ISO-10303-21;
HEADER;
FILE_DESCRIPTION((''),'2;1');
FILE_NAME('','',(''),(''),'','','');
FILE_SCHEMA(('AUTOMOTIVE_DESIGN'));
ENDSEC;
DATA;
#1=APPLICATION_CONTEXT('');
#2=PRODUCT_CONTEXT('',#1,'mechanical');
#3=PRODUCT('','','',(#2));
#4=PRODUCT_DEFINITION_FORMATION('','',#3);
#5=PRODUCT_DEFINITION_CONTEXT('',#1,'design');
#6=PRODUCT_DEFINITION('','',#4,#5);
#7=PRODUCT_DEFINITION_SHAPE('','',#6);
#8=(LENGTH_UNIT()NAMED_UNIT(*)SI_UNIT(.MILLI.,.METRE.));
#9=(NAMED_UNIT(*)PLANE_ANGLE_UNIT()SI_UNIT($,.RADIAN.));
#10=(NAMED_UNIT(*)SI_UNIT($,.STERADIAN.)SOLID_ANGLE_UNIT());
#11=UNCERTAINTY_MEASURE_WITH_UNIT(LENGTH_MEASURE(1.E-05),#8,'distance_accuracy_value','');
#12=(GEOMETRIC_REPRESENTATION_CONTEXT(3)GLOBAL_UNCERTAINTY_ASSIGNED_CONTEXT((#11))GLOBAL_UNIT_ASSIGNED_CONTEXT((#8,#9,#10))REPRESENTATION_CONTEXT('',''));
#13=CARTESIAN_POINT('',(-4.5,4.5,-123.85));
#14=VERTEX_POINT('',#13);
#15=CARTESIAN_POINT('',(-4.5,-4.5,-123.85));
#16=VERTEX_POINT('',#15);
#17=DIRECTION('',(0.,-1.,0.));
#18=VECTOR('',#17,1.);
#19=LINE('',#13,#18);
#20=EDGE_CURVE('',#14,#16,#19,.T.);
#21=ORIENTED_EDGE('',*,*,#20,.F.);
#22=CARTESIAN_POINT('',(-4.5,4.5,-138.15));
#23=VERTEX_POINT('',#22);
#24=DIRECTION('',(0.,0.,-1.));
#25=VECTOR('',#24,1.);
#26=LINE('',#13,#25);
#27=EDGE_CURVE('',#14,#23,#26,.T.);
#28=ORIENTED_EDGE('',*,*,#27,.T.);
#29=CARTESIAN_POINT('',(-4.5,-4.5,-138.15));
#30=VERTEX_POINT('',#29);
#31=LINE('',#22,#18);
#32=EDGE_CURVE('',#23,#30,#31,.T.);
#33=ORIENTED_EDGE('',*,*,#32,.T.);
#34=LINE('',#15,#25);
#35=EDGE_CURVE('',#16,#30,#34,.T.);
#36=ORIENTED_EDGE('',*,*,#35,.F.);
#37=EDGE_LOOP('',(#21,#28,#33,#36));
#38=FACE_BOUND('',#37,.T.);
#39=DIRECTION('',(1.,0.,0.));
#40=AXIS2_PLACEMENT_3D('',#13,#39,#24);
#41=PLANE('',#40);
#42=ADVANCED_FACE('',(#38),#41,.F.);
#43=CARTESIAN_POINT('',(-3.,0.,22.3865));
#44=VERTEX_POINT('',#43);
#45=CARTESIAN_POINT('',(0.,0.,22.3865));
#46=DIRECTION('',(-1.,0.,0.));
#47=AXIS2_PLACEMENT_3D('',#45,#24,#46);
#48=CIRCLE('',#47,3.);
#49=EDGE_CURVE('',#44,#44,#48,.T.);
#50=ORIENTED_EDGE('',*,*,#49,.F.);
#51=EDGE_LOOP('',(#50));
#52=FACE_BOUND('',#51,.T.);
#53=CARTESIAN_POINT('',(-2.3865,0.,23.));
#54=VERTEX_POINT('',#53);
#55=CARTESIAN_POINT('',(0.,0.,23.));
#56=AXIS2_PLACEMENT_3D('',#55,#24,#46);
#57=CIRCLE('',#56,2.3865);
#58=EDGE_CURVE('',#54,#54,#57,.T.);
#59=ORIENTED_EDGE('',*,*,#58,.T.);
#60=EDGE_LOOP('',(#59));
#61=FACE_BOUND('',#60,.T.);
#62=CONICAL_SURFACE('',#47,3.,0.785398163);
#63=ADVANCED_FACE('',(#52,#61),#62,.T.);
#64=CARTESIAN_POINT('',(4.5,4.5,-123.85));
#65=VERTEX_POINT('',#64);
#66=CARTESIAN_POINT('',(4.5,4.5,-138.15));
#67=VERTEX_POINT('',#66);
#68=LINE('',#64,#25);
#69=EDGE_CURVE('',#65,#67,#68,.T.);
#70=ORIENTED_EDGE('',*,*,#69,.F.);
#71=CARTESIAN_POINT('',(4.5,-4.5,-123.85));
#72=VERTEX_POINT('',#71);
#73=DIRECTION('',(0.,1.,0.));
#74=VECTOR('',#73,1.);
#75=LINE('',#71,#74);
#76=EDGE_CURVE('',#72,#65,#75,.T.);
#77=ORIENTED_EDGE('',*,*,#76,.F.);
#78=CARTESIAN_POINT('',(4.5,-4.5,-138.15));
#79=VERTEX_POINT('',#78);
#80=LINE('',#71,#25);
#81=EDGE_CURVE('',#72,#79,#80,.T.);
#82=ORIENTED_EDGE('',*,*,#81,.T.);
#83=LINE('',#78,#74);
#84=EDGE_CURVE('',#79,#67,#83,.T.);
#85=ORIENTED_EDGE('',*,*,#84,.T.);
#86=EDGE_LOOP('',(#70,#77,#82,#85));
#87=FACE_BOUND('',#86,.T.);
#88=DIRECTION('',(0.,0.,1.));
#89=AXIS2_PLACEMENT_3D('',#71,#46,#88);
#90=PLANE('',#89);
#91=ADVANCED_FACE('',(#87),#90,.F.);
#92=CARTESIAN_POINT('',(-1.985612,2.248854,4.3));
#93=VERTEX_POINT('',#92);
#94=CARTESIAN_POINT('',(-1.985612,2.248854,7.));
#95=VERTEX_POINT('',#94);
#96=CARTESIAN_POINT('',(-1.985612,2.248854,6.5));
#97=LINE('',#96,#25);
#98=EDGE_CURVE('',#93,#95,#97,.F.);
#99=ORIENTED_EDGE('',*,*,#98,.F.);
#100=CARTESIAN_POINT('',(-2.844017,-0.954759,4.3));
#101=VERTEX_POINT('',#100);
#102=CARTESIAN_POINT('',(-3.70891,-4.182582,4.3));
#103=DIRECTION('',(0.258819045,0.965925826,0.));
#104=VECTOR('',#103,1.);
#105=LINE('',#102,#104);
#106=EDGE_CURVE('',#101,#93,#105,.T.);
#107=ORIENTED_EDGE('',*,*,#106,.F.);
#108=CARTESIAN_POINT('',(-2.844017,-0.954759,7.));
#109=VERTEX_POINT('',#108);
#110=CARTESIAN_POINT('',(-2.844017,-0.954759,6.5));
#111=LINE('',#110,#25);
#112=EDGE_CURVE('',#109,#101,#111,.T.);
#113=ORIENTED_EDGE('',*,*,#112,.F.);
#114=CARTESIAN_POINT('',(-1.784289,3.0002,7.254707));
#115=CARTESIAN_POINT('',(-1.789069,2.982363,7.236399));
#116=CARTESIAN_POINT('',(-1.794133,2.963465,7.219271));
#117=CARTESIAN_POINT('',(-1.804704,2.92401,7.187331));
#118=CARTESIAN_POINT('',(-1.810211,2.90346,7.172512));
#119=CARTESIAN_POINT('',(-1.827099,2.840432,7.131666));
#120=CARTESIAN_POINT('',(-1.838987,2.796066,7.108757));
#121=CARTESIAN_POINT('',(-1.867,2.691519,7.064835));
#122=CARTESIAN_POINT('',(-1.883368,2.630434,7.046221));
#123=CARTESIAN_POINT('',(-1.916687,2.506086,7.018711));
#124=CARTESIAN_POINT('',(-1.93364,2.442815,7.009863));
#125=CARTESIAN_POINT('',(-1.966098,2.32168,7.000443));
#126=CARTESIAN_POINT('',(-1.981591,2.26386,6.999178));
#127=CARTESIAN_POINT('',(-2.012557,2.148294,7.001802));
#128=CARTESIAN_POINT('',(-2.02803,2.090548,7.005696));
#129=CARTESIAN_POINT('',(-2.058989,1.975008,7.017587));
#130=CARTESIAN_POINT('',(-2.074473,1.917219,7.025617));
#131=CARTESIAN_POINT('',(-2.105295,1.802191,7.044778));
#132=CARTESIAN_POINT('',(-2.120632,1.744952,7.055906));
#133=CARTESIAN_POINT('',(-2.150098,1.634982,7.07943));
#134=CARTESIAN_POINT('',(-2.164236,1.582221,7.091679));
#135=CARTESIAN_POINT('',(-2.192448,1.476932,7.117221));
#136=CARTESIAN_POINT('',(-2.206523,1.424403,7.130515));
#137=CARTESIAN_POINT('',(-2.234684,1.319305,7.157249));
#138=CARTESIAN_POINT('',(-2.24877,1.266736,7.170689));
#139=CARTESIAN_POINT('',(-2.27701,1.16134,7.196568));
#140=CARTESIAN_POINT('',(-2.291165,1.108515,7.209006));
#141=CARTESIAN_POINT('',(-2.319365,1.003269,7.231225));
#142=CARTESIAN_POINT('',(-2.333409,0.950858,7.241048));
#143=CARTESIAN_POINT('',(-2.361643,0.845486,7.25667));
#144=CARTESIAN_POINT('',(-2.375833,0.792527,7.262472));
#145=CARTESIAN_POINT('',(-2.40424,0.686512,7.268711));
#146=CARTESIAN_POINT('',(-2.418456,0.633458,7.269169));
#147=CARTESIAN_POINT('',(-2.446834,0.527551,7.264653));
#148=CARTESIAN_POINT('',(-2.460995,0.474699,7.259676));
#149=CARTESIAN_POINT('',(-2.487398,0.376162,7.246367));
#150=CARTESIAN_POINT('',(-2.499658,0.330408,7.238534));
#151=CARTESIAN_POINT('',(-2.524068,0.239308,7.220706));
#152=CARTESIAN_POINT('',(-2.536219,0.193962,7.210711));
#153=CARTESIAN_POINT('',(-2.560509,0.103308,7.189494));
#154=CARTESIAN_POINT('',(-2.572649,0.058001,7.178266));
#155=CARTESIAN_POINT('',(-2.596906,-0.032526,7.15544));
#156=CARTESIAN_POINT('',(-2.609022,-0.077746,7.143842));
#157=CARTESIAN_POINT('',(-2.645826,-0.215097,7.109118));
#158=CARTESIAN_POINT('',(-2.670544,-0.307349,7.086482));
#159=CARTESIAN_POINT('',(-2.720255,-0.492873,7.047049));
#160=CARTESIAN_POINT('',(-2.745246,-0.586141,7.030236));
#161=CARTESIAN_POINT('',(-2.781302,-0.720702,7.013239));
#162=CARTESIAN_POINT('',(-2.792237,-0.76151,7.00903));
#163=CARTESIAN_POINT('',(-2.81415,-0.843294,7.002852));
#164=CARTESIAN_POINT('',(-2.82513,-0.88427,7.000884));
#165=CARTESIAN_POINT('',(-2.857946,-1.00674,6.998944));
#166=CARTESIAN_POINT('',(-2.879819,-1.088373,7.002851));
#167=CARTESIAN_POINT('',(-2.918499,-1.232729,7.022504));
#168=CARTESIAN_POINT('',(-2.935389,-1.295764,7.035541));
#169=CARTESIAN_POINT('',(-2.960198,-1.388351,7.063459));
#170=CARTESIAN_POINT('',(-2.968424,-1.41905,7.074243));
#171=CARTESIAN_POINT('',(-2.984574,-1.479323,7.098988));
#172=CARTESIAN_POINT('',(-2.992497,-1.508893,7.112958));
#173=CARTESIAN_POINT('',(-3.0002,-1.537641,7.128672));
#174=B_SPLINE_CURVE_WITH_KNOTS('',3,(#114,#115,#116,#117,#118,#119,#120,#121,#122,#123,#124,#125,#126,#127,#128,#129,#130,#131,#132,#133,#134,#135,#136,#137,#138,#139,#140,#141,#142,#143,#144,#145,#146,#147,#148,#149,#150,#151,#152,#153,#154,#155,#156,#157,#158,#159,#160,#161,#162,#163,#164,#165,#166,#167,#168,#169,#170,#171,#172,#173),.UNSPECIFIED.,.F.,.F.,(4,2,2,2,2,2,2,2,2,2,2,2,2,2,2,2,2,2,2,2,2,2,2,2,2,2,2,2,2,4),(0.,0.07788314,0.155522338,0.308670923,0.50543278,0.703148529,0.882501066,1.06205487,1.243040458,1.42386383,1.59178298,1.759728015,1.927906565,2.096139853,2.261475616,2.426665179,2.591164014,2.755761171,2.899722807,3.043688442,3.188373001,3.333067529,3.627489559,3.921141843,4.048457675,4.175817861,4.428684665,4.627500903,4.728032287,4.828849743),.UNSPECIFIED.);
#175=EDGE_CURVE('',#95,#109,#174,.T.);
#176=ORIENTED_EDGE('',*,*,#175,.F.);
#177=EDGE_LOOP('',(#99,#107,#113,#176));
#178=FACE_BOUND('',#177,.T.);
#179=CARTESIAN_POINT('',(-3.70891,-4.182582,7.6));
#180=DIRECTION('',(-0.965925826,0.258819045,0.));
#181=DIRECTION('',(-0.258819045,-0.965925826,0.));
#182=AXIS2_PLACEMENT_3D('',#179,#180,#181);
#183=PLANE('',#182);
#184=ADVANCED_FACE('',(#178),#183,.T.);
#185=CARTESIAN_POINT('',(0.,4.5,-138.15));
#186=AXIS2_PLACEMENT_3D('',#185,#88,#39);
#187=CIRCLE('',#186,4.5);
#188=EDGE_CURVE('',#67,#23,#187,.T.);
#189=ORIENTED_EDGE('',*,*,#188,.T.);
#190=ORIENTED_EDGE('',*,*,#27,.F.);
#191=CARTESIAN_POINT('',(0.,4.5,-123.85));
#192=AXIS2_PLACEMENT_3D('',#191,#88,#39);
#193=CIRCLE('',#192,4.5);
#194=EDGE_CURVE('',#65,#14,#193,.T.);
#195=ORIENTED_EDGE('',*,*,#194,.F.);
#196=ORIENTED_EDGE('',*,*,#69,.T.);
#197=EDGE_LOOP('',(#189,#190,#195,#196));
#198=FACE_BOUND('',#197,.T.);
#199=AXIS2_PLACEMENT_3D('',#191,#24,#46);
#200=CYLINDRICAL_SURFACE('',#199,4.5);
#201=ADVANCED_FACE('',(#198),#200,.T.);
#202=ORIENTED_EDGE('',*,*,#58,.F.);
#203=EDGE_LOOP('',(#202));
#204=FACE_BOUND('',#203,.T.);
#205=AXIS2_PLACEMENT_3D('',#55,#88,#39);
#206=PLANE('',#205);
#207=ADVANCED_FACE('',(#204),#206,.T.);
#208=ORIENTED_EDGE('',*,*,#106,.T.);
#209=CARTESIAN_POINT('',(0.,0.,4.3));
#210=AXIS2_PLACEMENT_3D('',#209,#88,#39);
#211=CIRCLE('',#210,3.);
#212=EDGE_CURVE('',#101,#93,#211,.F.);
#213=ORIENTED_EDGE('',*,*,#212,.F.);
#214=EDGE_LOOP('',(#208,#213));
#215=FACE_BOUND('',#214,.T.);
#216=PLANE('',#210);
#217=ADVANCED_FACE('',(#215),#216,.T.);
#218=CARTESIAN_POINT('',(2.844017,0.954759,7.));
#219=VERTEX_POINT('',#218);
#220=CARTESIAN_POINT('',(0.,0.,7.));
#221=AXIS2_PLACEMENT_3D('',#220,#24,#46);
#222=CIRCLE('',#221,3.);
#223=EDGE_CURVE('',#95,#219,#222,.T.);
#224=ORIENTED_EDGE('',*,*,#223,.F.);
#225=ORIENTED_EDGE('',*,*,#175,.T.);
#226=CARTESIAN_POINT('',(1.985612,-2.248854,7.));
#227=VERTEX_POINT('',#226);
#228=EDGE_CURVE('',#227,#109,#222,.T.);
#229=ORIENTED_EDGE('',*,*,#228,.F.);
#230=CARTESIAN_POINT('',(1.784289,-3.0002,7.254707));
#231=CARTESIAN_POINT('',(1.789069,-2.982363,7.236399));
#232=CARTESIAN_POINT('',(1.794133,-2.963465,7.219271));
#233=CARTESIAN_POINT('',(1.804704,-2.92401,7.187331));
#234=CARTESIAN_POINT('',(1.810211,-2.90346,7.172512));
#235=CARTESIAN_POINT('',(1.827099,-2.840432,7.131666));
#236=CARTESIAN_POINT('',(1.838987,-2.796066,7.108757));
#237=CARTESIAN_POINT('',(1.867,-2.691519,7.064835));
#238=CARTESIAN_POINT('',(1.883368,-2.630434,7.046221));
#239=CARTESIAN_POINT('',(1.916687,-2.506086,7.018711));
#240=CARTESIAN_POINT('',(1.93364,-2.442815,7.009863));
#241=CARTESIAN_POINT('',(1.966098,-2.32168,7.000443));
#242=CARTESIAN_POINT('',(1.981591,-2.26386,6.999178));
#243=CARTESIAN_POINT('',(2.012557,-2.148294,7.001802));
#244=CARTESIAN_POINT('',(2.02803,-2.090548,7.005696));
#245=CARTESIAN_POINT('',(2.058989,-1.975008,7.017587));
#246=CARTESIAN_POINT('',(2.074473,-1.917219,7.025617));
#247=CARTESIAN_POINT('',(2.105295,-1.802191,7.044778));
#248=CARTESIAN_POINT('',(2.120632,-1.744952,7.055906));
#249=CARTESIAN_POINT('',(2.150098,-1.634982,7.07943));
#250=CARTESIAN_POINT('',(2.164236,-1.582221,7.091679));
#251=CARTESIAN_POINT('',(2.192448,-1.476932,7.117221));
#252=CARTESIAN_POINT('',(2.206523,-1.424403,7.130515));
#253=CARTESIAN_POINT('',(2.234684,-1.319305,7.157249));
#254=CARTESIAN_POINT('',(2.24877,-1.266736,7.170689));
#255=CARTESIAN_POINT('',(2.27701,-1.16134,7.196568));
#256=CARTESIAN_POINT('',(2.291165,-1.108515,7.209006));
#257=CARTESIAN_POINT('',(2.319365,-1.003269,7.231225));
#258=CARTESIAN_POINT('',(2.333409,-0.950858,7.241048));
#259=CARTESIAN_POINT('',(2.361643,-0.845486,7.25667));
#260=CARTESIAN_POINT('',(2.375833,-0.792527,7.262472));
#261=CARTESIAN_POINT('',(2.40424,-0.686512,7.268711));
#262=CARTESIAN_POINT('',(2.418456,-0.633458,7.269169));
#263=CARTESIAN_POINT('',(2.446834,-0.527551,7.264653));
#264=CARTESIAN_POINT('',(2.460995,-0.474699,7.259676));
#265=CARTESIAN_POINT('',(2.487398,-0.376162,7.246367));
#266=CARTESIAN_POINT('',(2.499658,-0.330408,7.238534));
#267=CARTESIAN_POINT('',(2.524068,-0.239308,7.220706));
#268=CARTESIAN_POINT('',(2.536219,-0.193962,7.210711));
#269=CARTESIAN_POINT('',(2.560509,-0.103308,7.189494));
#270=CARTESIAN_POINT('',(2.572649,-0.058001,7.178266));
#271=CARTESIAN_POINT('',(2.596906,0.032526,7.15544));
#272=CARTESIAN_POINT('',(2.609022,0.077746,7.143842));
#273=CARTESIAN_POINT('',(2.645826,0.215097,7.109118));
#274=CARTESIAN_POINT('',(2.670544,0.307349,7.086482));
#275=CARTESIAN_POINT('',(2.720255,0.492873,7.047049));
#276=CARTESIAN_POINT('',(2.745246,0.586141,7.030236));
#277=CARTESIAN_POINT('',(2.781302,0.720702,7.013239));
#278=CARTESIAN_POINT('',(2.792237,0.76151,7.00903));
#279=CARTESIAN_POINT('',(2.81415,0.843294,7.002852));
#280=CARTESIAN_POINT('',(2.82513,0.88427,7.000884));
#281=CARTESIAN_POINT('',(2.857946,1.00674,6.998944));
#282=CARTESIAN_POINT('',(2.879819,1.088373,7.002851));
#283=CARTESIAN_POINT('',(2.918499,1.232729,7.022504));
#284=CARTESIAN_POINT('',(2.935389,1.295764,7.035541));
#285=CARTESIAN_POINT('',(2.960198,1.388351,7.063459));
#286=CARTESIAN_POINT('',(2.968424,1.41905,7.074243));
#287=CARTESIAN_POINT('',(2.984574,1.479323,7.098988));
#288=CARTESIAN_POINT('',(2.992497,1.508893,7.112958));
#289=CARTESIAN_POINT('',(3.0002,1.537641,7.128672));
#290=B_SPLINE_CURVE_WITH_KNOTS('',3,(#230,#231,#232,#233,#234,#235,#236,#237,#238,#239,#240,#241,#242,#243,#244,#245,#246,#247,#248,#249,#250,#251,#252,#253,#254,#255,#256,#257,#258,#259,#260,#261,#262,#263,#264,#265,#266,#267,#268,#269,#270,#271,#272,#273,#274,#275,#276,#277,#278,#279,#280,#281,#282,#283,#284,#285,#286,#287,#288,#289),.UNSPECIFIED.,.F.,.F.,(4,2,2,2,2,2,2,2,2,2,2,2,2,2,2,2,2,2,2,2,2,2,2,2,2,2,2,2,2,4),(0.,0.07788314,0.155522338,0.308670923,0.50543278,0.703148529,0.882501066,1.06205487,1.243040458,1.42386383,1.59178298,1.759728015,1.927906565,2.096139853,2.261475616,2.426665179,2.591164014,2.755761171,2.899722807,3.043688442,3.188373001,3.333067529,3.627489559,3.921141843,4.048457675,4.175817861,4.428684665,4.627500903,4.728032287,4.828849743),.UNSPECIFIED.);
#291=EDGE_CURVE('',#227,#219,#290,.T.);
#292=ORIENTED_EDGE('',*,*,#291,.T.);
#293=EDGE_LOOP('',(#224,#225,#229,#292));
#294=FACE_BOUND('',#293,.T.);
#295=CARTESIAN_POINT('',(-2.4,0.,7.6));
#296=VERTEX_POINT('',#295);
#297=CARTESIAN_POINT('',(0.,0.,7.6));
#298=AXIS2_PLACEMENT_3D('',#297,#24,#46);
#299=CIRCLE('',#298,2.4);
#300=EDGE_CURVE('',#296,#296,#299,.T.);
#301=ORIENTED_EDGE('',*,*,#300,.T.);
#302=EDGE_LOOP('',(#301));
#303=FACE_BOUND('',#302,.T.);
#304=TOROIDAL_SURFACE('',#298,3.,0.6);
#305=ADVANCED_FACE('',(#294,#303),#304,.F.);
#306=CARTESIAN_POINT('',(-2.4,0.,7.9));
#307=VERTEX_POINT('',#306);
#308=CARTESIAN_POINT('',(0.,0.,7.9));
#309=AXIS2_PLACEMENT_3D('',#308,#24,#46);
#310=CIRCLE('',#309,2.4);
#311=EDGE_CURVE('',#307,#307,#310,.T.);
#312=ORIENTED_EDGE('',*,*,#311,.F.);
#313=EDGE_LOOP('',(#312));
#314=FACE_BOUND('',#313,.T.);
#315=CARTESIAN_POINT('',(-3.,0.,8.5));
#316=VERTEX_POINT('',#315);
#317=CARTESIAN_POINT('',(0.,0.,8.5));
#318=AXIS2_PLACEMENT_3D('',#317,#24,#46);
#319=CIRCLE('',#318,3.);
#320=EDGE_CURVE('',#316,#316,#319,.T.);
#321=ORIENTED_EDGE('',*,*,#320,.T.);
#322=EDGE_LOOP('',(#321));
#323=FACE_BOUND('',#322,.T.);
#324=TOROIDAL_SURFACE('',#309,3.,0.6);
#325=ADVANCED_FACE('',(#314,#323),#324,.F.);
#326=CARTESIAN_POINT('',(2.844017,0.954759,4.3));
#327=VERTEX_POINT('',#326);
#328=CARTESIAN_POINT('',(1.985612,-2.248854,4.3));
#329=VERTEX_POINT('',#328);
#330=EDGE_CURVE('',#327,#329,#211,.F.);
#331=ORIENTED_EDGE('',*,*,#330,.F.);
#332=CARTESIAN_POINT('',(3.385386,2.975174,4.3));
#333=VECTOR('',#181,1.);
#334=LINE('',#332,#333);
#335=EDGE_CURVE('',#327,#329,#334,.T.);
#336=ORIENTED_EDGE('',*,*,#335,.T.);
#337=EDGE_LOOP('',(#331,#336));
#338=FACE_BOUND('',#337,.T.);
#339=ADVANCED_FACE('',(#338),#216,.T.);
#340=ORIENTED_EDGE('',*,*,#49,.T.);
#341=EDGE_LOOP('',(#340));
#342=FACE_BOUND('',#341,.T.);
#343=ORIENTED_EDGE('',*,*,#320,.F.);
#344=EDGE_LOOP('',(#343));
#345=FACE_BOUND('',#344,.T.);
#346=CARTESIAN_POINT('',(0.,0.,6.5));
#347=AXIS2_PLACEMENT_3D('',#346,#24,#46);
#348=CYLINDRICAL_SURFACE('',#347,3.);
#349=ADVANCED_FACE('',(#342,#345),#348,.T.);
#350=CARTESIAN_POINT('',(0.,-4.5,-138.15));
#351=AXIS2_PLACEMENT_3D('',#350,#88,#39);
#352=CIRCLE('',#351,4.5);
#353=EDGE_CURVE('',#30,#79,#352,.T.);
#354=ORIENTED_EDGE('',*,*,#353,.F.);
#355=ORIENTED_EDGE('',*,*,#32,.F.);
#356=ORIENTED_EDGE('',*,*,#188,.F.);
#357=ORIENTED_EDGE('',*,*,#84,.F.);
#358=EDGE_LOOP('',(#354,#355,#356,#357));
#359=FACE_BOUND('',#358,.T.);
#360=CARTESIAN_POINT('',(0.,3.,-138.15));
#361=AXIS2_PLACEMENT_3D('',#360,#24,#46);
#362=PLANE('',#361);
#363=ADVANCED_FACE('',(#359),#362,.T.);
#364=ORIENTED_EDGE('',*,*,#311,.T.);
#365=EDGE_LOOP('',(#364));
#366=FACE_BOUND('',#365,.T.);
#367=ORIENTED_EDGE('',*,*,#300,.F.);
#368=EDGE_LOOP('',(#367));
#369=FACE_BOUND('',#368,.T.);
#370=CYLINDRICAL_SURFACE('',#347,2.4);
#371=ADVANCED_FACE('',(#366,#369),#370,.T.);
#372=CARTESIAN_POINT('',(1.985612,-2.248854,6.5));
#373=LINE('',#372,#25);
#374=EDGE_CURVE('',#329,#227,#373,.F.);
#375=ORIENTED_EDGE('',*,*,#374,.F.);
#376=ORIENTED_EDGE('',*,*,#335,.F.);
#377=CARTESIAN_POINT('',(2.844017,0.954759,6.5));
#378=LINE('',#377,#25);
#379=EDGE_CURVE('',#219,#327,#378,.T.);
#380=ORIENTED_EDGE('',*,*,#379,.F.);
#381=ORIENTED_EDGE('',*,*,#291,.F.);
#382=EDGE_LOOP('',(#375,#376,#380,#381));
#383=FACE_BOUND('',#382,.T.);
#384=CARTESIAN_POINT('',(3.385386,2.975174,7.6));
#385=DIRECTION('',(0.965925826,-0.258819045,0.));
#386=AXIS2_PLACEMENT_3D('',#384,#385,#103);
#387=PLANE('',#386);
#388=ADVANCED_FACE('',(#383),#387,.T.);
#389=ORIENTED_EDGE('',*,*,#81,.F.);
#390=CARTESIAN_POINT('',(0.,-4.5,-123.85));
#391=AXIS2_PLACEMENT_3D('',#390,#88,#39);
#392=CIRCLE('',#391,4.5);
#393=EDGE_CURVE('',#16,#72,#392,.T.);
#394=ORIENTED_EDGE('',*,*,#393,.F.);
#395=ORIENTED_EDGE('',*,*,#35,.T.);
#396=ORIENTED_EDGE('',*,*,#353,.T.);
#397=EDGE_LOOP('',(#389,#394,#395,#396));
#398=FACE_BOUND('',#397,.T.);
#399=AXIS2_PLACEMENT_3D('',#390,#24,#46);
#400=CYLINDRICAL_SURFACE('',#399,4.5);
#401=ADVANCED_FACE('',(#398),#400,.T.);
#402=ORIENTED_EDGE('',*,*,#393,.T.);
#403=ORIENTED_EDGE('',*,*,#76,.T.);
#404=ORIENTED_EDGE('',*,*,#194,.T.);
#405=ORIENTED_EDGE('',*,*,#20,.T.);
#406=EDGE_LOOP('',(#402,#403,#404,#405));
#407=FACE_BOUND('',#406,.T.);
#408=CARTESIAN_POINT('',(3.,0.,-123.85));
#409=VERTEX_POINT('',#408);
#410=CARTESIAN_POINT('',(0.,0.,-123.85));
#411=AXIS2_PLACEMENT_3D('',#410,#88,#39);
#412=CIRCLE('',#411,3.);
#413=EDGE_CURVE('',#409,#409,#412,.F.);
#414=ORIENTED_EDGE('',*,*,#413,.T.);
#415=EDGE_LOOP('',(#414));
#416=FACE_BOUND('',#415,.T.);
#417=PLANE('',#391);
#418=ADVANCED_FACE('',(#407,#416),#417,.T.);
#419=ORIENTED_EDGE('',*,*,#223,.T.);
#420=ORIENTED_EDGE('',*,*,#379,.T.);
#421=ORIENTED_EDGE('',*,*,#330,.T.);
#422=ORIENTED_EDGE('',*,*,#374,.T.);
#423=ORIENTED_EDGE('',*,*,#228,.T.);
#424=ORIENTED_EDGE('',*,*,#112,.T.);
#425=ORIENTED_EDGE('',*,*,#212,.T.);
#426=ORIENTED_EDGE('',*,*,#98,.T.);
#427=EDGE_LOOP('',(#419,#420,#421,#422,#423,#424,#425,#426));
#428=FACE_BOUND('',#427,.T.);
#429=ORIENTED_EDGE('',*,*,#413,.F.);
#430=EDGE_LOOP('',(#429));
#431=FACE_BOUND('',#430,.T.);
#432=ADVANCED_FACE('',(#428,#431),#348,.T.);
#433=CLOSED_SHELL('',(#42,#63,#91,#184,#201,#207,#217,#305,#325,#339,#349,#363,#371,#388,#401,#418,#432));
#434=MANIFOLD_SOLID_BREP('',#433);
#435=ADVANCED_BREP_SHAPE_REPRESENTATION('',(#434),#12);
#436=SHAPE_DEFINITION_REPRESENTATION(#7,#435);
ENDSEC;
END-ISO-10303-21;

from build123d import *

# Parameters (mm, degrees)
SKETCH2_W           = 145.15
SKETCH2_H           = 3
CUT_EXTRUDE1_DEPTH  = 3.3
BOSS_EXTRUDE1_DEPTH = 14.3


with BuildPart() as part:
    # Sketch1 → Revolve1 (revolve)
    with BuildSketch(Plane(origin=(0, 0, 0), x_dir=(0, 0, -1), z_dir=(1, 0, 0))):
        with BuildLine():
            Line((-23, 0), (-23, 2.3865))
            Line((-23, 2.3865), (-22.3865, 3))
            Line((-22.3865, 3), (-8.5, 3))
            ThreePointArc((-8.5, 3), (-8.324264069, 2.575735931), (-7.9, 2.4))
            Line((-7.9, 2.4), (-7.6, 2.4))
            ThreePointArc((-7.6, 2.4), (-7.175735931, 2.575735931), (-7, 3))
            Line((-7, 3), (-6.5, 3))
            Line((-6.5, 3), (-6.5, 0))
            Line((-6.5, 0), (-23, 0))
        make_face()
    revolve(axis=Axis((0, 0, 6.5), (0, 0, 1)))

    # Sketch2 → Revolve2 (revolve)
    with BuildSketch(Plane(origin=(0, 0, 0), x_dir=(0, 0, -1), z_dir=(1, 0, 0))):
        with Locations((65.575, 1.5)):
            Rectangle(SKETCH2_W, SKETCH2_H)
    revolve(axis=Axis((0, 0, -138.15), (0, 0, 1)))

    # Sketch3 → Cut-Extrude1 (cut)
    with BuildSketch(Plane.XY.offset(4.3)):
        Polygon((-6.447248163, -4.742941189), (3.2120101, -7.33113164), (5.800200551, 2.328126623), (3.385385985, 2.975174236), (1.12071934, -5.476676744), (-3.708909791, -4.182581519), (-1.444243147, 4.269269461), (-3.859057712, 4.916317074), align=None)
    extrude(amount=CUT_EXTRUDE1_DEPTH, mode=Mode.SUBTRACT)

    # Sketch4 → Boss-Extrude1 (add)
    with BuildSketch(Plane.XY.offset(-138.15)):
        with BuildLine():
            Line((4.5, -4.5), (4.5, 4.5))
            ThreePointArc((4.5, 4.5), (3.181980515, 7.681980515), (0, 9))
            ThreePointArc((0, 9), (-3.181980515, 7.681980515), (-4.5, 4.5))
            Line((-4.5, 4.5), (-4.5, -4.5))
            ThreePointArc((-4.5, -4.5), (-3.181980515, -7.681980515), (0, -9))
            ThreePointArc((0, -9), (3.181980515, -7.681980515), (4.5, -4.5))
        make_face()
    extrude(amount=BOSS_EXTRUDE1_DEPTH)


solid = part.part
